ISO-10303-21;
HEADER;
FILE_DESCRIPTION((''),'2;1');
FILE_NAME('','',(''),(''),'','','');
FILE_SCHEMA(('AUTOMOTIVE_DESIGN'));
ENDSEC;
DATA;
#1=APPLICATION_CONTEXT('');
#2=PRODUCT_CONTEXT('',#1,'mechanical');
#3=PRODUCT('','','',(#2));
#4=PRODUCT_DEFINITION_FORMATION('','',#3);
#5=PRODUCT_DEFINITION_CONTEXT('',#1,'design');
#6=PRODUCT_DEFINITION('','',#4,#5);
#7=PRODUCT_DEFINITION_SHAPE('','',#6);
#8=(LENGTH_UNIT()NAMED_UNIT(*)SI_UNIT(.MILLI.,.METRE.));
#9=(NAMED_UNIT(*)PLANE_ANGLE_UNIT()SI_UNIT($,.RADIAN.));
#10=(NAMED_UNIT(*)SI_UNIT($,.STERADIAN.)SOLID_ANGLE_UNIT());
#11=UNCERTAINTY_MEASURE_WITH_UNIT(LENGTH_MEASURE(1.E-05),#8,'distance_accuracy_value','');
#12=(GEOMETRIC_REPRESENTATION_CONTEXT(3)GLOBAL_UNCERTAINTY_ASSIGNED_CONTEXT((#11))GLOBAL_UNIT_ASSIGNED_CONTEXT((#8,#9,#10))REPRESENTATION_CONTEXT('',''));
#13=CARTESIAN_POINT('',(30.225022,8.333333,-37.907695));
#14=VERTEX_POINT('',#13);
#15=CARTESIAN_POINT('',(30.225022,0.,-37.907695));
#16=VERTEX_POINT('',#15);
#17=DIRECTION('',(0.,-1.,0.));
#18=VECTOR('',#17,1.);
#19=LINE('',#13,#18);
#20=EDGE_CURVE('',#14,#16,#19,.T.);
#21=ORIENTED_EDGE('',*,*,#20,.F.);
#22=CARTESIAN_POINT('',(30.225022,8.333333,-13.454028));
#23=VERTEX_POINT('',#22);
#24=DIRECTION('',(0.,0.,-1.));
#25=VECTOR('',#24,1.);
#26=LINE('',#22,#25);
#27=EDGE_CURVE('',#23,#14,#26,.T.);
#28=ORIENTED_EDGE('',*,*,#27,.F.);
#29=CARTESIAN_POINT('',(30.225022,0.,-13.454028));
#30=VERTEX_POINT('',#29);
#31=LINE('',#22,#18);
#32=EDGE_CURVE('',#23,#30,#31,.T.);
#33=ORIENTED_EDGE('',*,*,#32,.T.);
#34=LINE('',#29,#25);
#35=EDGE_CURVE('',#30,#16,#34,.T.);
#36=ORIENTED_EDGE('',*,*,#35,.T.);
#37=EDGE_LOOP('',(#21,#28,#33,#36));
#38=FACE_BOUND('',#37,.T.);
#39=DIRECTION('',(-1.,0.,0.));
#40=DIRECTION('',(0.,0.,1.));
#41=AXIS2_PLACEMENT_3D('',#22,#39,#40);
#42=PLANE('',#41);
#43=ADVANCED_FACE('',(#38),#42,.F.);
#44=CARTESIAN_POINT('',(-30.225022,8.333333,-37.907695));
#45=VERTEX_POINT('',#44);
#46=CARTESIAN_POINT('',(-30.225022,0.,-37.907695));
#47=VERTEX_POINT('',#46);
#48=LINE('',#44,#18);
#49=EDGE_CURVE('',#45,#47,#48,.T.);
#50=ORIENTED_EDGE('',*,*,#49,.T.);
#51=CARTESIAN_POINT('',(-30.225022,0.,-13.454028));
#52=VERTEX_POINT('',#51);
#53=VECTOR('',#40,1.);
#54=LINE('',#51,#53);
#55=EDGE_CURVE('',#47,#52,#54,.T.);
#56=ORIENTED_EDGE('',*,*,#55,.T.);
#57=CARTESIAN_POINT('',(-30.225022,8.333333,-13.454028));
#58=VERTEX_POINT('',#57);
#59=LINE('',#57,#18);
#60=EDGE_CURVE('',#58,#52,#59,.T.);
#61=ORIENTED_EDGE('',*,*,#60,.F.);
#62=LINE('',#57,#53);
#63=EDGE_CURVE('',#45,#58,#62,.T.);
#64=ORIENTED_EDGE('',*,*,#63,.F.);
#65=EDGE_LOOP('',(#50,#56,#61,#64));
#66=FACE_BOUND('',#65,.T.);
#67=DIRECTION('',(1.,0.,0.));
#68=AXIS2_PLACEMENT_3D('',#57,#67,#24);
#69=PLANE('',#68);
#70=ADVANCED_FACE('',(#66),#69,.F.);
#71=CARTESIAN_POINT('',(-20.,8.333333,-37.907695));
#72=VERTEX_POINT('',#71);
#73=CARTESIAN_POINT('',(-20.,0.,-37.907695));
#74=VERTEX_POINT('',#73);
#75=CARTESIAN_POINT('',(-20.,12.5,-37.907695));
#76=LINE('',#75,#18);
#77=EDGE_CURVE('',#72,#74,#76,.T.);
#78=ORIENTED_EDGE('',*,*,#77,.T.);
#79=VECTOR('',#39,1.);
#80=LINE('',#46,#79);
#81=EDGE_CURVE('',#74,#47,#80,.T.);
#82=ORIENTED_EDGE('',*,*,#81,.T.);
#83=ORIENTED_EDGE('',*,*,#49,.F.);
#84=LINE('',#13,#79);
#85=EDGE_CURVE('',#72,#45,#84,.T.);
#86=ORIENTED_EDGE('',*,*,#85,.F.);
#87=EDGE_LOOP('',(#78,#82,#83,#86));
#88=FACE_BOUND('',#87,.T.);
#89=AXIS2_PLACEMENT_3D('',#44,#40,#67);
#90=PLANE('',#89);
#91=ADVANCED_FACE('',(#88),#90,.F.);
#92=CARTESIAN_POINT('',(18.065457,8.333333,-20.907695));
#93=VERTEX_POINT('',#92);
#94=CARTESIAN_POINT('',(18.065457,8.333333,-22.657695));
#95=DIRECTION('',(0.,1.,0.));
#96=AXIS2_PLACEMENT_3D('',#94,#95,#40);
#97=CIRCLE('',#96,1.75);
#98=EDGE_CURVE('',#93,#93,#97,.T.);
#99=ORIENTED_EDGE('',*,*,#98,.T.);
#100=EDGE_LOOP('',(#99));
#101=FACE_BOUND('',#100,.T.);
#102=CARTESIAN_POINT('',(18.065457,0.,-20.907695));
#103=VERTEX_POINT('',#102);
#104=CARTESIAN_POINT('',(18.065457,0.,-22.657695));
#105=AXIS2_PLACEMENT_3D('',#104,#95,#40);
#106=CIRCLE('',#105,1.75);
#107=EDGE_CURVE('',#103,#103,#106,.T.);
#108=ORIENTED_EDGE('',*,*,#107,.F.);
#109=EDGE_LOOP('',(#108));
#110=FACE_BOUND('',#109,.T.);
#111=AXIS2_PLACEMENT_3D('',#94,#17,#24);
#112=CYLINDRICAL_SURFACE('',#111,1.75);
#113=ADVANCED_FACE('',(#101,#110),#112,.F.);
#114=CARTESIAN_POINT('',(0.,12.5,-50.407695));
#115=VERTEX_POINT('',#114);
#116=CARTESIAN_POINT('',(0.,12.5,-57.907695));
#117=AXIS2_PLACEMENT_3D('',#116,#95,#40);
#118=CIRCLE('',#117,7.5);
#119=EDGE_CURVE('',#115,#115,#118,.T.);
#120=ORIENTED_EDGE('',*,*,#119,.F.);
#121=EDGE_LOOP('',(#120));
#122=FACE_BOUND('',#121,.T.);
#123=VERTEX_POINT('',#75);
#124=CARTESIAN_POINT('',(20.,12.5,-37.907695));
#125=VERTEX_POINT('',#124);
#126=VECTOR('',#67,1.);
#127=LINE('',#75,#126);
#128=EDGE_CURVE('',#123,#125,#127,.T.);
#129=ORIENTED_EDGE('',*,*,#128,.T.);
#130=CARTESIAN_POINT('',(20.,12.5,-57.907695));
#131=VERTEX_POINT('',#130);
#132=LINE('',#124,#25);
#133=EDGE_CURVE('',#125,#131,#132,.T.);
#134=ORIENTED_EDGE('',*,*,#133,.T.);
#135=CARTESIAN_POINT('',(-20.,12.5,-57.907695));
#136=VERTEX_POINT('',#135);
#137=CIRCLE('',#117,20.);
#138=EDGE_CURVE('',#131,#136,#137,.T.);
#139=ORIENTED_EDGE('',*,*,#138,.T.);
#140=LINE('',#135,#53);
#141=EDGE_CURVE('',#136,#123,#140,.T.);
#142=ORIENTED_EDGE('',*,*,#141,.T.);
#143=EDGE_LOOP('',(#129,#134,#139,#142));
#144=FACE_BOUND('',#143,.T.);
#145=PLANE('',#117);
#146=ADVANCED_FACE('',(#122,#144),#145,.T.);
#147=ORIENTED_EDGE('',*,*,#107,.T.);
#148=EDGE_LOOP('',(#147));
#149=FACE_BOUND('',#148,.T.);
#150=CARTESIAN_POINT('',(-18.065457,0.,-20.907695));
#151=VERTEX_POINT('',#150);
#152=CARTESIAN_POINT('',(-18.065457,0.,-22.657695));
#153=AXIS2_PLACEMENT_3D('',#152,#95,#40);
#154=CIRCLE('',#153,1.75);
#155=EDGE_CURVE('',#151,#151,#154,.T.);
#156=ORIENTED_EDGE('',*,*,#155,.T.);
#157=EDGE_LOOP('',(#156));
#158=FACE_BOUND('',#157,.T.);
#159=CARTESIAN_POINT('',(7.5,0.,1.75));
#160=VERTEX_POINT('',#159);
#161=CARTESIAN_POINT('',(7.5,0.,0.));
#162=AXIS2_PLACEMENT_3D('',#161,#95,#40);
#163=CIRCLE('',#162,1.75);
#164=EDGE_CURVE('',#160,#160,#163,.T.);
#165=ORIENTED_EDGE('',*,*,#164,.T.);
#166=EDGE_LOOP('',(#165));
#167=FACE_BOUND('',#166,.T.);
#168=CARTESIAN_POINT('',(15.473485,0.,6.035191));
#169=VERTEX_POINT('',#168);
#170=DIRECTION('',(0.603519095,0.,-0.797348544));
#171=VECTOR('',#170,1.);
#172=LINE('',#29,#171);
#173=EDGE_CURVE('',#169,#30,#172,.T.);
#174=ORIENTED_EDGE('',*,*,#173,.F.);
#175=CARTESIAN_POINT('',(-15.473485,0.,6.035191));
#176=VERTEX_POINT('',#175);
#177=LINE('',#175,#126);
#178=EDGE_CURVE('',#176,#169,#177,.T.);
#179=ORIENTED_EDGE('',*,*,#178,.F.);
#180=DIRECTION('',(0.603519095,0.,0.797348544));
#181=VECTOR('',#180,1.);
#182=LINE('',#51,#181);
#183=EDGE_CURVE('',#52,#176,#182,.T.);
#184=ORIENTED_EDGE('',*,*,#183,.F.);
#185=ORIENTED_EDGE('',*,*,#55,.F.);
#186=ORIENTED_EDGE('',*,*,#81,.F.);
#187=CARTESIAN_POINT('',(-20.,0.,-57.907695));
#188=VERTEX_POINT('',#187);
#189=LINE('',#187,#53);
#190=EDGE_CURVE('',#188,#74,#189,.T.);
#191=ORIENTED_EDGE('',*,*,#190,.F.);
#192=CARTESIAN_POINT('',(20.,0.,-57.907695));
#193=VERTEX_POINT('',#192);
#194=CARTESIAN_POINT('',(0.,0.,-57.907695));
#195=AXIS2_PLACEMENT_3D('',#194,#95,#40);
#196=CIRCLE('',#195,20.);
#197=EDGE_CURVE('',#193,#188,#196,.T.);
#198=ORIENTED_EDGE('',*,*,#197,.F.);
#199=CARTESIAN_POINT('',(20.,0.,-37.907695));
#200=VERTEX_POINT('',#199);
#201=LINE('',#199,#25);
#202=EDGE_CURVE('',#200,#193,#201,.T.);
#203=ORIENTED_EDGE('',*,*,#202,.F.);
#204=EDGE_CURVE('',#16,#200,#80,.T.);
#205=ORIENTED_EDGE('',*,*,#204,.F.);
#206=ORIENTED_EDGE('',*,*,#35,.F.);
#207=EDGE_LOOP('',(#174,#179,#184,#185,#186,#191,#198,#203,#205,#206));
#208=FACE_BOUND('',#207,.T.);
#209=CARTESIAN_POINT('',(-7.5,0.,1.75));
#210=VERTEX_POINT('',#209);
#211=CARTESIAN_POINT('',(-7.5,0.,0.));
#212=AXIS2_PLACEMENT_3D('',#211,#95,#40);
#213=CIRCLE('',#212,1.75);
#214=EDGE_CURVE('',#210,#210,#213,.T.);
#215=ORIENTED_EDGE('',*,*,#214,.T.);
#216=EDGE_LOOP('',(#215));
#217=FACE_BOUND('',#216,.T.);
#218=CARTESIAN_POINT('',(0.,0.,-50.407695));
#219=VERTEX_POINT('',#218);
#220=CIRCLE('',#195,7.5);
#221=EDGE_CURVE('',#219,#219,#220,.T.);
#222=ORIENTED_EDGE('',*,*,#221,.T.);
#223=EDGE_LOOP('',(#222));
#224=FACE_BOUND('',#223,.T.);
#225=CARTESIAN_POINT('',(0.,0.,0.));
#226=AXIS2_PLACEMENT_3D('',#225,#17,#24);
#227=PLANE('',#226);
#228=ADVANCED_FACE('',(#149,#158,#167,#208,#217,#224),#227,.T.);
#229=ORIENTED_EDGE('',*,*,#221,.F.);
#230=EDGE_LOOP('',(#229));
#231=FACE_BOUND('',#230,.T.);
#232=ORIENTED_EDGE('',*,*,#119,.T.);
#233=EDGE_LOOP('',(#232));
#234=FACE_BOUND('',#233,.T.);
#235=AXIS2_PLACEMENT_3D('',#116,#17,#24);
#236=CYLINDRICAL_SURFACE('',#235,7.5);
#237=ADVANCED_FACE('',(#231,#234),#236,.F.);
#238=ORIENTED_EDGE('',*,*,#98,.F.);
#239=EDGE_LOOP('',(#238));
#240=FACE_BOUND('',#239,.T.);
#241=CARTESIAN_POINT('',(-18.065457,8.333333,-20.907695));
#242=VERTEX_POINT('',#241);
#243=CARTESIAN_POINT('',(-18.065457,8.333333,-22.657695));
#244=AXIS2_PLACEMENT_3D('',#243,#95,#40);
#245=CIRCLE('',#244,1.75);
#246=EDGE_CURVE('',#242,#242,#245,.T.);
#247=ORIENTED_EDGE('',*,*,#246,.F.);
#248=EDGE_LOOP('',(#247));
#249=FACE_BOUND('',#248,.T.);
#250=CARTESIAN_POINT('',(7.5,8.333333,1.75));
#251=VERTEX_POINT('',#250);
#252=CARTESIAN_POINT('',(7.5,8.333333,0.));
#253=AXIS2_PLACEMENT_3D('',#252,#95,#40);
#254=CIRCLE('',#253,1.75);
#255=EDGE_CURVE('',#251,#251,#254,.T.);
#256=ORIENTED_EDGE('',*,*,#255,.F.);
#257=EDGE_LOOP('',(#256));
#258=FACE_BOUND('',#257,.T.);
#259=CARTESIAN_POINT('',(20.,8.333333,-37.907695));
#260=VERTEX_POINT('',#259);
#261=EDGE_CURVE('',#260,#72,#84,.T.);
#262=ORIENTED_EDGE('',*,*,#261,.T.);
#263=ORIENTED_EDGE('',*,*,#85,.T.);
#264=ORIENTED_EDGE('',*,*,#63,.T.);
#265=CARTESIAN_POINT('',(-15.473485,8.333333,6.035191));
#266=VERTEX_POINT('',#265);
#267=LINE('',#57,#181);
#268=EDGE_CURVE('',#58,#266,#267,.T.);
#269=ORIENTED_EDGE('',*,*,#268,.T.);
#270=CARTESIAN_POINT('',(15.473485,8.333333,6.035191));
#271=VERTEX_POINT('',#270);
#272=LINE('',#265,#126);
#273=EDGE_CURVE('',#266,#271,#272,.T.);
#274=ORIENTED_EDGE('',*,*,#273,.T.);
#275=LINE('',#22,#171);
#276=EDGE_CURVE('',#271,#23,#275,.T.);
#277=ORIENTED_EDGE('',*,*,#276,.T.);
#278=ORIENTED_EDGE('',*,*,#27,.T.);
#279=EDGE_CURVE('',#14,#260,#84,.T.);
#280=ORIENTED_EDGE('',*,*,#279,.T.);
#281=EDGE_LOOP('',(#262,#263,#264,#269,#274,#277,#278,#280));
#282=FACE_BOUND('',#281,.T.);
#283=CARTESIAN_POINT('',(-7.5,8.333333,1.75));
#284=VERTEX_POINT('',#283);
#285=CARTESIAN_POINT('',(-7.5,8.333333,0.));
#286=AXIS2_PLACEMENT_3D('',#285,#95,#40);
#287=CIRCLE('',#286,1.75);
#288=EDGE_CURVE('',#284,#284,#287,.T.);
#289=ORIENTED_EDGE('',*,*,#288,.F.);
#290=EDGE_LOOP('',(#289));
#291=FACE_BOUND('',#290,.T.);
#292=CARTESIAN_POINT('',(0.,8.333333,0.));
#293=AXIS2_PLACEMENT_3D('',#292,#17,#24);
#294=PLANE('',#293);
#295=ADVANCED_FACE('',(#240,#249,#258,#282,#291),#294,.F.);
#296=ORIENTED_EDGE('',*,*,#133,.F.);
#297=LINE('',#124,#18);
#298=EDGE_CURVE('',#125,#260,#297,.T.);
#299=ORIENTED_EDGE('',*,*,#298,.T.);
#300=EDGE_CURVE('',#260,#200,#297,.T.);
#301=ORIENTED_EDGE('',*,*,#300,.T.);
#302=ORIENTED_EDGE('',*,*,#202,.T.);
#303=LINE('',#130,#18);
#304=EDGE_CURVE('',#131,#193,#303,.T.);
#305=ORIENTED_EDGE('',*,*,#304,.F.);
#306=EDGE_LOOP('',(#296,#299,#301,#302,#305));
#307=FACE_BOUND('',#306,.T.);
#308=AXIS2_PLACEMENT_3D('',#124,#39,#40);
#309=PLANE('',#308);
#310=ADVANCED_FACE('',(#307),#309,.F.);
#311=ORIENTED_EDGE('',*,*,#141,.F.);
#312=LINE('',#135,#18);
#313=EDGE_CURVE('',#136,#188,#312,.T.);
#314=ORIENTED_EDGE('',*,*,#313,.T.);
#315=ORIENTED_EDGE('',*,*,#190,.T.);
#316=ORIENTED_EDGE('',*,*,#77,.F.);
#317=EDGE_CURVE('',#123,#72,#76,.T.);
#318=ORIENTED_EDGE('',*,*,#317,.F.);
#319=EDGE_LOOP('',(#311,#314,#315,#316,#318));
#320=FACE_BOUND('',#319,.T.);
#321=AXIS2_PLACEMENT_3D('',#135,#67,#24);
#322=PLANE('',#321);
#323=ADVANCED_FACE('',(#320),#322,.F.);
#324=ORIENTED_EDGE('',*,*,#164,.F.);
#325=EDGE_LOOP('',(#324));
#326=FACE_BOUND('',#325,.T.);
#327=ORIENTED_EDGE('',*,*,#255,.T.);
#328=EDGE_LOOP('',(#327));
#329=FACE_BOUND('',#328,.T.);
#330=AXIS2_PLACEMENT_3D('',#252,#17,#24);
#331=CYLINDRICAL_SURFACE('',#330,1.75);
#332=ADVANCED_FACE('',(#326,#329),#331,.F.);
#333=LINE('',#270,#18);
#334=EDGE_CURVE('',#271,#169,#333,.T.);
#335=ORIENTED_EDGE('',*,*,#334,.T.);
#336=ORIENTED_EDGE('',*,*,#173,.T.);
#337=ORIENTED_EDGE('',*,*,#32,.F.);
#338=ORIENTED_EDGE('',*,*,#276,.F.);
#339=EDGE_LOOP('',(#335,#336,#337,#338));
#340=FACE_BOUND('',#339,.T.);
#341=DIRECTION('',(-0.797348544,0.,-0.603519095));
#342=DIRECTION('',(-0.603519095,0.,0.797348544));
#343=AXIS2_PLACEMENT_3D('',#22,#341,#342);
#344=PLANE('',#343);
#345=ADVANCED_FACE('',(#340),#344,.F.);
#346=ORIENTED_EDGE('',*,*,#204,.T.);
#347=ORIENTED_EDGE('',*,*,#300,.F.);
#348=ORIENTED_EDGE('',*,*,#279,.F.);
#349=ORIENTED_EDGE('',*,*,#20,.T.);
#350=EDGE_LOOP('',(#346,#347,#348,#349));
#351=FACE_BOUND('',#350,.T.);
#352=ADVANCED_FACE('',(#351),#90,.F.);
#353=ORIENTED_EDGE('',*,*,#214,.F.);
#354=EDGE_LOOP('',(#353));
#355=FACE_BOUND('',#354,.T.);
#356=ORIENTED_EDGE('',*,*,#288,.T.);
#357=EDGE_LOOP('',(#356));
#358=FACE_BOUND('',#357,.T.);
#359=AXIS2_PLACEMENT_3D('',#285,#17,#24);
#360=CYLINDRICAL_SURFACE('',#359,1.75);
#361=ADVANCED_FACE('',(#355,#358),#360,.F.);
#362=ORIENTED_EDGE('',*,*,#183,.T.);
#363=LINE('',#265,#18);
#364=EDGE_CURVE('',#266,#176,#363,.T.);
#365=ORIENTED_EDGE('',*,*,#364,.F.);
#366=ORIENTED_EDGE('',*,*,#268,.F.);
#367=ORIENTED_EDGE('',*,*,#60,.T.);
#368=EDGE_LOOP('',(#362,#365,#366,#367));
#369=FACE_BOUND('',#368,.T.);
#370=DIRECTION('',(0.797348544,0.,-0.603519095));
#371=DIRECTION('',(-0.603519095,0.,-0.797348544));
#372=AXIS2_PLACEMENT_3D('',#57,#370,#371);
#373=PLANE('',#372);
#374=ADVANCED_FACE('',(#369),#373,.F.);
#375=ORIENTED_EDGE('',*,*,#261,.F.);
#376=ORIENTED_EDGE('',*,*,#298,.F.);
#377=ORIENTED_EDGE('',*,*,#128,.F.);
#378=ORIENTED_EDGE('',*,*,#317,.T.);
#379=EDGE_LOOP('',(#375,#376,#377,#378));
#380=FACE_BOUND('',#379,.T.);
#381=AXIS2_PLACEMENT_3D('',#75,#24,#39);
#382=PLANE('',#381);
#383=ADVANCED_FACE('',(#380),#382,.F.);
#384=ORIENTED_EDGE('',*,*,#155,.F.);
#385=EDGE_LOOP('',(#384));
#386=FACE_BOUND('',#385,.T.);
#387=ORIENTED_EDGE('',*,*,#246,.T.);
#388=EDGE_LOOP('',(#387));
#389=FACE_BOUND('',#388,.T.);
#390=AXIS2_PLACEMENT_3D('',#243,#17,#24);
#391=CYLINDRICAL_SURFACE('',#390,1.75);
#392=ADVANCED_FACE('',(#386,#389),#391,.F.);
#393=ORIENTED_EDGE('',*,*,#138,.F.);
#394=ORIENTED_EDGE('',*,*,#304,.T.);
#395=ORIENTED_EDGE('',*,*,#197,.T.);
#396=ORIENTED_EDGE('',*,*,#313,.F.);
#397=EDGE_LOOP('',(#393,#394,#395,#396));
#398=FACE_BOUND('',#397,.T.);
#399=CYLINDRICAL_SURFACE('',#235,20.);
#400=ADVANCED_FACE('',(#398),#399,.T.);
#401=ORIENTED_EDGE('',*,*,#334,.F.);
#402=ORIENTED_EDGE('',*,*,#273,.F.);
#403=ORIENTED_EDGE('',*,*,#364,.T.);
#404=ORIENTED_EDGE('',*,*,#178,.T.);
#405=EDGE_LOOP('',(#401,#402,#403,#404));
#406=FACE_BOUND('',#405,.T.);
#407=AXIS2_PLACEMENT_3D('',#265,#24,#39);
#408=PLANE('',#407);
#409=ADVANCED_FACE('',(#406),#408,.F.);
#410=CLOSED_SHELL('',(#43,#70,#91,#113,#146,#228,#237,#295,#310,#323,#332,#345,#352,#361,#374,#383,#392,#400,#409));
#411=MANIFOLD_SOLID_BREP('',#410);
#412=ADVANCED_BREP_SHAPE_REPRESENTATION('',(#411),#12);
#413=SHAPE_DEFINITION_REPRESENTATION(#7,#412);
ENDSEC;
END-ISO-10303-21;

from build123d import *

# Parameters (mm, degrees)
SKETCH1_R           = 1.75
BOSS_EXTRUDE1_DEPTH = 8.333333333
SKETCH2_R           = 7.5
BOSS_EXTRUDE2_DEPTH = 12.5


with BuildPart() as part:
    # Sketch1 → Boss-Extrude1 (new body)
    with BuildSketch(Plane(origin=(0, 0, 0), x_dir=(1, 0, 0), z_dir=(0, 1, 0))):
        Polygon((-30.225021847, 13.45402847), (-15.473485445, -6.035190955), (15.473485445, -6.035190955), (30.225021847, 13.45402847), (30.225021847, 37.907694676), (18.065456544, 37.907694676), (-18.065456544, 37.907694676), (-30.225021847, 37.907694676), align=None)
        with Locations((-18.065456544, 22.657694676)):
            Circle(SKETCH1_R, mode=Mode.SUBTRACT)
        with Locations((18.065456544, 22.657694676)):
            Circle(SKETCH1_R, mode=Mode.SUBTRACT)
        with Locations((7.5, 0)):
            Circle(SKETCH1_R, mode=Mode.SUBTRACT)
        with Locations((-7.5, 0)):
            Circle(SKETCH1_R, mode=Mode.SUBTRACT)
    extrude(amount=BOSS_EXTRUDE1_DEPTH)

    # Sketch2 → Boss-Extrude2 (add)
    with BuildSketch(Plane(origin=(0, 0, 0), x_dir=(1, 0, 0), z_dir=(0, 1, 0))):
        with BuildLine():
            Line((-20, 57.907694676), (-20, 37.907694676))
            Line((-20, 37.907694676), (20, 37.907694676))
            Line((20, 37.907694676), (20, 57.907694676))
            ThreePointArc((20, 57.907694676), (0, 77.907694676), (-20, 57.907694676))
        make_face()
        with Locations((0, 57.907694676)):
            Circle(SKETCH2_R, mode=Mode.SUBTRACT)
    extrude(amount=BOSS_EXTRUDE2_DEPTH)


solid = part.part
